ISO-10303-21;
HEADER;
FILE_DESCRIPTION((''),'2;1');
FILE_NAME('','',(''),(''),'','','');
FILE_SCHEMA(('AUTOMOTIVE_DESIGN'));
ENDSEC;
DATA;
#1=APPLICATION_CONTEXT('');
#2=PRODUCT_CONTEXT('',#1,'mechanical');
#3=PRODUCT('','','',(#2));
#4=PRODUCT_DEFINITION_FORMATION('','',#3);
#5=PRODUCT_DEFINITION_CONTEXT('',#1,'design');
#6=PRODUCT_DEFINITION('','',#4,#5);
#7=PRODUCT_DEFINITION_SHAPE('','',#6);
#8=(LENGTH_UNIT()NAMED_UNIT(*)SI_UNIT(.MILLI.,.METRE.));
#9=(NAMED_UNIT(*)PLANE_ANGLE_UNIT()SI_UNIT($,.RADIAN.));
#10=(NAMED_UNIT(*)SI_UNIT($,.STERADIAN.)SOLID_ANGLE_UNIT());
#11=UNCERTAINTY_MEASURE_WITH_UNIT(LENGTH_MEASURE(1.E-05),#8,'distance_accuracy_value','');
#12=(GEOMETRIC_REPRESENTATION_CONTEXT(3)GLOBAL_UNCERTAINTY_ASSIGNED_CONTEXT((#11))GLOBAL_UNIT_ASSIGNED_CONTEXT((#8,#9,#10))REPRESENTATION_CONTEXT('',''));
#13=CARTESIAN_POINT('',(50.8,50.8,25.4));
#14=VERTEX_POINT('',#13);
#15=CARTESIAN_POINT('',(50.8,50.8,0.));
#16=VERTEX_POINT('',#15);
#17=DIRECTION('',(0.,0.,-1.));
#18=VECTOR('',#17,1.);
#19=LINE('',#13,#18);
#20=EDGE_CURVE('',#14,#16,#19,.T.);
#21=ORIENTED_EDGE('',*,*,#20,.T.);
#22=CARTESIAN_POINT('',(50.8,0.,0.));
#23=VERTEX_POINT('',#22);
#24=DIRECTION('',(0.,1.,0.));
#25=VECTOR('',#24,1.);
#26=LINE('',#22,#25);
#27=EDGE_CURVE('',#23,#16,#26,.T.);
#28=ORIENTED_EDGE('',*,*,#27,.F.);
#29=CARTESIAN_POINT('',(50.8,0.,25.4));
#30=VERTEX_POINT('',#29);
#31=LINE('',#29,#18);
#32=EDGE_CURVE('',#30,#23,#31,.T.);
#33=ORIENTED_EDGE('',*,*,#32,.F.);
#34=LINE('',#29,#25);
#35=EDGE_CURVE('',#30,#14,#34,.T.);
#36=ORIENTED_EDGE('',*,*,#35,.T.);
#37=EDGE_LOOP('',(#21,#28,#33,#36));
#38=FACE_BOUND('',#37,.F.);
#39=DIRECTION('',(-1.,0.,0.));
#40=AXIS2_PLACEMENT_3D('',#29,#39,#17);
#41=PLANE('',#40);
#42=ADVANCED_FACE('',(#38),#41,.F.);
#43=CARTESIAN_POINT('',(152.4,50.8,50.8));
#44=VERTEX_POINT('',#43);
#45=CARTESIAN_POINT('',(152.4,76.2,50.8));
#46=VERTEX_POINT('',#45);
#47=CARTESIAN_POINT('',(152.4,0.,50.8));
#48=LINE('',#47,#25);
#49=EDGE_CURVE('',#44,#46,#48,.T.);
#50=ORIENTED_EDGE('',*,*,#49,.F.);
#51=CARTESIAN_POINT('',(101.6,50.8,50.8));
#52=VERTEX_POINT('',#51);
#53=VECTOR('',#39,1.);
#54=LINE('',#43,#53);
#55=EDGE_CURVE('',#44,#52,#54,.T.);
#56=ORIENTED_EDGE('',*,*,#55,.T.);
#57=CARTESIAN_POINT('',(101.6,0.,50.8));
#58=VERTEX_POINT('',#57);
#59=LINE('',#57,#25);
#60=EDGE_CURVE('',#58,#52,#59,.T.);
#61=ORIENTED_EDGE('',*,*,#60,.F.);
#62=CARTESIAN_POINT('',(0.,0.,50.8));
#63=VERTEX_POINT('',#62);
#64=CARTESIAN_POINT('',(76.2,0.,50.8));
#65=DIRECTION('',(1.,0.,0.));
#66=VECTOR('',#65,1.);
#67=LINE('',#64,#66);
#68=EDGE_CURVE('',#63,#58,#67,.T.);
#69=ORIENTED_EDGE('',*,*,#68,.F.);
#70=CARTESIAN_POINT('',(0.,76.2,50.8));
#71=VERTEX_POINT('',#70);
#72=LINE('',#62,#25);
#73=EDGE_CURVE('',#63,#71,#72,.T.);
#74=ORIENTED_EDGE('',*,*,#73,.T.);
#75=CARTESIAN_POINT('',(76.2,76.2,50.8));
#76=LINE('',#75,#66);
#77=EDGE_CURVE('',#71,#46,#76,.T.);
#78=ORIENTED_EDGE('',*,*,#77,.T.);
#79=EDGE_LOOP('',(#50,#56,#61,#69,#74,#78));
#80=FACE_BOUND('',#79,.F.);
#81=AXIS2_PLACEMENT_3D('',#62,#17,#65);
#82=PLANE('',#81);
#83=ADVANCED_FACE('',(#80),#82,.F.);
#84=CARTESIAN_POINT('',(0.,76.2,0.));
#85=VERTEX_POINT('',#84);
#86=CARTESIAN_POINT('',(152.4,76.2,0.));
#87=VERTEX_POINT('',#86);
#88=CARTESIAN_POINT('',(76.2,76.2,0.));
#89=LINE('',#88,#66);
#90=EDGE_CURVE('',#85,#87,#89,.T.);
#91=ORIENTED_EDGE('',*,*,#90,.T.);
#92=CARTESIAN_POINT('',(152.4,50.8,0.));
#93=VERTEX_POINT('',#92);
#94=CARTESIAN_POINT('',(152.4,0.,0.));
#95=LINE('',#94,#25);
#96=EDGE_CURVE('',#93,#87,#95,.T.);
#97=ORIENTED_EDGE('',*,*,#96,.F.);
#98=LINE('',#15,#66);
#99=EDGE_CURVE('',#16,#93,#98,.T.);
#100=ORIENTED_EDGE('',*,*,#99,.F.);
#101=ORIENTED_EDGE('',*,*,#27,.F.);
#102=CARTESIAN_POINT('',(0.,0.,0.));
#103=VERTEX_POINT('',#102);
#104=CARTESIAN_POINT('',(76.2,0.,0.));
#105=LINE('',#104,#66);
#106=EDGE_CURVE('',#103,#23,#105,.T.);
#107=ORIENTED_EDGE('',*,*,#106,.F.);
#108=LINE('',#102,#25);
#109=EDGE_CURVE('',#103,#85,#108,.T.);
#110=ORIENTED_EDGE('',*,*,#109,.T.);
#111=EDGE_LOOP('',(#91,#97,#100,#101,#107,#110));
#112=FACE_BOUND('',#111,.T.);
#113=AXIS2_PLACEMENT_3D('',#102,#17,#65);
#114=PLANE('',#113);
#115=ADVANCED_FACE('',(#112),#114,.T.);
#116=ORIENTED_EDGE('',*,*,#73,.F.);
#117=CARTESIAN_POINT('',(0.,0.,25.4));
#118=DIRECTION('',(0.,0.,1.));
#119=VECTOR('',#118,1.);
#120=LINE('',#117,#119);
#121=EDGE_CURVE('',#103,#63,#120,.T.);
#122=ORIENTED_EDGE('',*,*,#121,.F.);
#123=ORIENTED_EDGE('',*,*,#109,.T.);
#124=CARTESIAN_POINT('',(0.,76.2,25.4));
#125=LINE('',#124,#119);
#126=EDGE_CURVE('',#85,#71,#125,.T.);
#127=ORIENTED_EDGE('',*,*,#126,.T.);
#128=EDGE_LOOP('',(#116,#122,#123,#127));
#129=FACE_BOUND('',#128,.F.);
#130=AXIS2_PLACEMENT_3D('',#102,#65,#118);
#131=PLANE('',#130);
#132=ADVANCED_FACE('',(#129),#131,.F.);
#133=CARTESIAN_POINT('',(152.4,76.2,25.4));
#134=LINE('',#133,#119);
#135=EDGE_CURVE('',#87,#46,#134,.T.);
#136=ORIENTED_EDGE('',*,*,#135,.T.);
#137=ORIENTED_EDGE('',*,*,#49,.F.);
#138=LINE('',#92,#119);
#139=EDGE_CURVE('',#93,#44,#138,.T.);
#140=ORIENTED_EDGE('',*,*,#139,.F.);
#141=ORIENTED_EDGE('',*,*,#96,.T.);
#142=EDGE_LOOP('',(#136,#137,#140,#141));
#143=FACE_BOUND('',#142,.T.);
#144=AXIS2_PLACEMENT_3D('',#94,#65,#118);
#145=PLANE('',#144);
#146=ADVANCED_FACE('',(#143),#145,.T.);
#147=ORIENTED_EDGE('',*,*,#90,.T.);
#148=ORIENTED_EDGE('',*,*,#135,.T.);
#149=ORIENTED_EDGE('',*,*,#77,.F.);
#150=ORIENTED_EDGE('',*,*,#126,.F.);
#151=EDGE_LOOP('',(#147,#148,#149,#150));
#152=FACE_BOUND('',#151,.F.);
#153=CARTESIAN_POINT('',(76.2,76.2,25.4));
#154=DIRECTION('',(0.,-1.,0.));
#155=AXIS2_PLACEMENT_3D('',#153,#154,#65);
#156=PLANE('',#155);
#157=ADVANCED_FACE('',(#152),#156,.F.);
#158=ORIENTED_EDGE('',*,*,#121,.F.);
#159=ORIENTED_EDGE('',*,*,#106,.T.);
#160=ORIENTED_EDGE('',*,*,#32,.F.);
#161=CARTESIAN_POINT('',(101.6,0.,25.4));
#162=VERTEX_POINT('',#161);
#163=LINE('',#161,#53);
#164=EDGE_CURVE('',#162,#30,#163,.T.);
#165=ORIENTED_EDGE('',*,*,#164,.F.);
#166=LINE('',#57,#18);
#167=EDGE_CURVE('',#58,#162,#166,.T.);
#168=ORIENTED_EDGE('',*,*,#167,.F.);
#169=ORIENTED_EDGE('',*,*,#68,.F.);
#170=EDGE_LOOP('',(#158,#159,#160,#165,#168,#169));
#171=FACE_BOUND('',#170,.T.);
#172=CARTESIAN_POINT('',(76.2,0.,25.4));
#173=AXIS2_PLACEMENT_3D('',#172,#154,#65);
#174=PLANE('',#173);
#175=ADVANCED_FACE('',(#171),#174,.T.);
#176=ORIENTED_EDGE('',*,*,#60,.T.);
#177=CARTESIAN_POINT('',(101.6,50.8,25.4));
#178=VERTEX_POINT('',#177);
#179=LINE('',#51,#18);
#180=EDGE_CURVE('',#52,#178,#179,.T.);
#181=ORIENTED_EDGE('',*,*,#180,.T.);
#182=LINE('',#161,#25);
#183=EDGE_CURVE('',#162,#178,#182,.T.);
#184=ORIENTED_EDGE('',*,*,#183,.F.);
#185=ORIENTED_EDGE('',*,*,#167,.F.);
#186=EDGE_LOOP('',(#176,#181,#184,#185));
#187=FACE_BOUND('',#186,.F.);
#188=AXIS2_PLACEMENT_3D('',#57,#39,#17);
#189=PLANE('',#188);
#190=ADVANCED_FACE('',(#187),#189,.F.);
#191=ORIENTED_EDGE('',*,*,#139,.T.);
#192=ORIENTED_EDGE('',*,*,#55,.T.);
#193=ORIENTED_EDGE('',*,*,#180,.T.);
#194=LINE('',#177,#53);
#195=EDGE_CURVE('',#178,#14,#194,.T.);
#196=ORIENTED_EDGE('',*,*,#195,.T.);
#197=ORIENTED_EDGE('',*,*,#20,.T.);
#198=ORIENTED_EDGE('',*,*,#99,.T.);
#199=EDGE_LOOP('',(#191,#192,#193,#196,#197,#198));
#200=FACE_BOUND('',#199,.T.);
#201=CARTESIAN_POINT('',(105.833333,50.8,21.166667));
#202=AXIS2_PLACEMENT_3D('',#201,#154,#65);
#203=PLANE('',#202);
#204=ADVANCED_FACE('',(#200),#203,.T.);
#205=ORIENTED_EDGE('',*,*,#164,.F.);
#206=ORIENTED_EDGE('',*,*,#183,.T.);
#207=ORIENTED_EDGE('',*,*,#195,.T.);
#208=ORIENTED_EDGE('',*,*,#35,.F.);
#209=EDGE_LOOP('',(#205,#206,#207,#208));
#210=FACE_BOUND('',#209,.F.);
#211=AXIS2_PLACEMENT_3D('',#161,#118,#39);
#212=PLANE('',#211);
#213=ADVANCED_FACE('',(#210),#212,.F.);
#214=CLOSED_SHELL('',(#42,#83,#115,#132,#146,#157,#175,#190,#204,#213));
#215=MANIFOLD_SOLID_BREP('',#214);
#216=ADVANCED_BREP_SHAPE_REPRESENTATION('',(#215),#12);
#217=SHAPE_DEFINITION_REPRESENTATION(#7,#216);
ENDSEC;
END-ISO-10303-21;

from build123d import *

# Parameters (mm, degrees)
F0_W     = 152.4
F0_H     = 50.8
F1_DEPTH = 76.2
F3_DEPTH = 50.8


with BuildPart() as f1:
    # F0 (on Front) → F1 (new body)
    with BuildSketch(Plane.XZ):
        with Locations((76.2, 25.4)):
            Rectangle(F0_W, F0_H)
    extrude(amount=-F1_DEPTH)

    # F2 (on Front) → F3 (cut)
    with BuildSketch(Plane.XZ):
        Polygon((50.8, 25.4), (50.8, 0), (152.4, 0), (152.4, 50.8), (101.6, 50.8), (101.6, 25.4), align=None)
    extrude(amount=-F3_DEPTH, mode=Mode.SUBTRACT)


solid = f1.part
